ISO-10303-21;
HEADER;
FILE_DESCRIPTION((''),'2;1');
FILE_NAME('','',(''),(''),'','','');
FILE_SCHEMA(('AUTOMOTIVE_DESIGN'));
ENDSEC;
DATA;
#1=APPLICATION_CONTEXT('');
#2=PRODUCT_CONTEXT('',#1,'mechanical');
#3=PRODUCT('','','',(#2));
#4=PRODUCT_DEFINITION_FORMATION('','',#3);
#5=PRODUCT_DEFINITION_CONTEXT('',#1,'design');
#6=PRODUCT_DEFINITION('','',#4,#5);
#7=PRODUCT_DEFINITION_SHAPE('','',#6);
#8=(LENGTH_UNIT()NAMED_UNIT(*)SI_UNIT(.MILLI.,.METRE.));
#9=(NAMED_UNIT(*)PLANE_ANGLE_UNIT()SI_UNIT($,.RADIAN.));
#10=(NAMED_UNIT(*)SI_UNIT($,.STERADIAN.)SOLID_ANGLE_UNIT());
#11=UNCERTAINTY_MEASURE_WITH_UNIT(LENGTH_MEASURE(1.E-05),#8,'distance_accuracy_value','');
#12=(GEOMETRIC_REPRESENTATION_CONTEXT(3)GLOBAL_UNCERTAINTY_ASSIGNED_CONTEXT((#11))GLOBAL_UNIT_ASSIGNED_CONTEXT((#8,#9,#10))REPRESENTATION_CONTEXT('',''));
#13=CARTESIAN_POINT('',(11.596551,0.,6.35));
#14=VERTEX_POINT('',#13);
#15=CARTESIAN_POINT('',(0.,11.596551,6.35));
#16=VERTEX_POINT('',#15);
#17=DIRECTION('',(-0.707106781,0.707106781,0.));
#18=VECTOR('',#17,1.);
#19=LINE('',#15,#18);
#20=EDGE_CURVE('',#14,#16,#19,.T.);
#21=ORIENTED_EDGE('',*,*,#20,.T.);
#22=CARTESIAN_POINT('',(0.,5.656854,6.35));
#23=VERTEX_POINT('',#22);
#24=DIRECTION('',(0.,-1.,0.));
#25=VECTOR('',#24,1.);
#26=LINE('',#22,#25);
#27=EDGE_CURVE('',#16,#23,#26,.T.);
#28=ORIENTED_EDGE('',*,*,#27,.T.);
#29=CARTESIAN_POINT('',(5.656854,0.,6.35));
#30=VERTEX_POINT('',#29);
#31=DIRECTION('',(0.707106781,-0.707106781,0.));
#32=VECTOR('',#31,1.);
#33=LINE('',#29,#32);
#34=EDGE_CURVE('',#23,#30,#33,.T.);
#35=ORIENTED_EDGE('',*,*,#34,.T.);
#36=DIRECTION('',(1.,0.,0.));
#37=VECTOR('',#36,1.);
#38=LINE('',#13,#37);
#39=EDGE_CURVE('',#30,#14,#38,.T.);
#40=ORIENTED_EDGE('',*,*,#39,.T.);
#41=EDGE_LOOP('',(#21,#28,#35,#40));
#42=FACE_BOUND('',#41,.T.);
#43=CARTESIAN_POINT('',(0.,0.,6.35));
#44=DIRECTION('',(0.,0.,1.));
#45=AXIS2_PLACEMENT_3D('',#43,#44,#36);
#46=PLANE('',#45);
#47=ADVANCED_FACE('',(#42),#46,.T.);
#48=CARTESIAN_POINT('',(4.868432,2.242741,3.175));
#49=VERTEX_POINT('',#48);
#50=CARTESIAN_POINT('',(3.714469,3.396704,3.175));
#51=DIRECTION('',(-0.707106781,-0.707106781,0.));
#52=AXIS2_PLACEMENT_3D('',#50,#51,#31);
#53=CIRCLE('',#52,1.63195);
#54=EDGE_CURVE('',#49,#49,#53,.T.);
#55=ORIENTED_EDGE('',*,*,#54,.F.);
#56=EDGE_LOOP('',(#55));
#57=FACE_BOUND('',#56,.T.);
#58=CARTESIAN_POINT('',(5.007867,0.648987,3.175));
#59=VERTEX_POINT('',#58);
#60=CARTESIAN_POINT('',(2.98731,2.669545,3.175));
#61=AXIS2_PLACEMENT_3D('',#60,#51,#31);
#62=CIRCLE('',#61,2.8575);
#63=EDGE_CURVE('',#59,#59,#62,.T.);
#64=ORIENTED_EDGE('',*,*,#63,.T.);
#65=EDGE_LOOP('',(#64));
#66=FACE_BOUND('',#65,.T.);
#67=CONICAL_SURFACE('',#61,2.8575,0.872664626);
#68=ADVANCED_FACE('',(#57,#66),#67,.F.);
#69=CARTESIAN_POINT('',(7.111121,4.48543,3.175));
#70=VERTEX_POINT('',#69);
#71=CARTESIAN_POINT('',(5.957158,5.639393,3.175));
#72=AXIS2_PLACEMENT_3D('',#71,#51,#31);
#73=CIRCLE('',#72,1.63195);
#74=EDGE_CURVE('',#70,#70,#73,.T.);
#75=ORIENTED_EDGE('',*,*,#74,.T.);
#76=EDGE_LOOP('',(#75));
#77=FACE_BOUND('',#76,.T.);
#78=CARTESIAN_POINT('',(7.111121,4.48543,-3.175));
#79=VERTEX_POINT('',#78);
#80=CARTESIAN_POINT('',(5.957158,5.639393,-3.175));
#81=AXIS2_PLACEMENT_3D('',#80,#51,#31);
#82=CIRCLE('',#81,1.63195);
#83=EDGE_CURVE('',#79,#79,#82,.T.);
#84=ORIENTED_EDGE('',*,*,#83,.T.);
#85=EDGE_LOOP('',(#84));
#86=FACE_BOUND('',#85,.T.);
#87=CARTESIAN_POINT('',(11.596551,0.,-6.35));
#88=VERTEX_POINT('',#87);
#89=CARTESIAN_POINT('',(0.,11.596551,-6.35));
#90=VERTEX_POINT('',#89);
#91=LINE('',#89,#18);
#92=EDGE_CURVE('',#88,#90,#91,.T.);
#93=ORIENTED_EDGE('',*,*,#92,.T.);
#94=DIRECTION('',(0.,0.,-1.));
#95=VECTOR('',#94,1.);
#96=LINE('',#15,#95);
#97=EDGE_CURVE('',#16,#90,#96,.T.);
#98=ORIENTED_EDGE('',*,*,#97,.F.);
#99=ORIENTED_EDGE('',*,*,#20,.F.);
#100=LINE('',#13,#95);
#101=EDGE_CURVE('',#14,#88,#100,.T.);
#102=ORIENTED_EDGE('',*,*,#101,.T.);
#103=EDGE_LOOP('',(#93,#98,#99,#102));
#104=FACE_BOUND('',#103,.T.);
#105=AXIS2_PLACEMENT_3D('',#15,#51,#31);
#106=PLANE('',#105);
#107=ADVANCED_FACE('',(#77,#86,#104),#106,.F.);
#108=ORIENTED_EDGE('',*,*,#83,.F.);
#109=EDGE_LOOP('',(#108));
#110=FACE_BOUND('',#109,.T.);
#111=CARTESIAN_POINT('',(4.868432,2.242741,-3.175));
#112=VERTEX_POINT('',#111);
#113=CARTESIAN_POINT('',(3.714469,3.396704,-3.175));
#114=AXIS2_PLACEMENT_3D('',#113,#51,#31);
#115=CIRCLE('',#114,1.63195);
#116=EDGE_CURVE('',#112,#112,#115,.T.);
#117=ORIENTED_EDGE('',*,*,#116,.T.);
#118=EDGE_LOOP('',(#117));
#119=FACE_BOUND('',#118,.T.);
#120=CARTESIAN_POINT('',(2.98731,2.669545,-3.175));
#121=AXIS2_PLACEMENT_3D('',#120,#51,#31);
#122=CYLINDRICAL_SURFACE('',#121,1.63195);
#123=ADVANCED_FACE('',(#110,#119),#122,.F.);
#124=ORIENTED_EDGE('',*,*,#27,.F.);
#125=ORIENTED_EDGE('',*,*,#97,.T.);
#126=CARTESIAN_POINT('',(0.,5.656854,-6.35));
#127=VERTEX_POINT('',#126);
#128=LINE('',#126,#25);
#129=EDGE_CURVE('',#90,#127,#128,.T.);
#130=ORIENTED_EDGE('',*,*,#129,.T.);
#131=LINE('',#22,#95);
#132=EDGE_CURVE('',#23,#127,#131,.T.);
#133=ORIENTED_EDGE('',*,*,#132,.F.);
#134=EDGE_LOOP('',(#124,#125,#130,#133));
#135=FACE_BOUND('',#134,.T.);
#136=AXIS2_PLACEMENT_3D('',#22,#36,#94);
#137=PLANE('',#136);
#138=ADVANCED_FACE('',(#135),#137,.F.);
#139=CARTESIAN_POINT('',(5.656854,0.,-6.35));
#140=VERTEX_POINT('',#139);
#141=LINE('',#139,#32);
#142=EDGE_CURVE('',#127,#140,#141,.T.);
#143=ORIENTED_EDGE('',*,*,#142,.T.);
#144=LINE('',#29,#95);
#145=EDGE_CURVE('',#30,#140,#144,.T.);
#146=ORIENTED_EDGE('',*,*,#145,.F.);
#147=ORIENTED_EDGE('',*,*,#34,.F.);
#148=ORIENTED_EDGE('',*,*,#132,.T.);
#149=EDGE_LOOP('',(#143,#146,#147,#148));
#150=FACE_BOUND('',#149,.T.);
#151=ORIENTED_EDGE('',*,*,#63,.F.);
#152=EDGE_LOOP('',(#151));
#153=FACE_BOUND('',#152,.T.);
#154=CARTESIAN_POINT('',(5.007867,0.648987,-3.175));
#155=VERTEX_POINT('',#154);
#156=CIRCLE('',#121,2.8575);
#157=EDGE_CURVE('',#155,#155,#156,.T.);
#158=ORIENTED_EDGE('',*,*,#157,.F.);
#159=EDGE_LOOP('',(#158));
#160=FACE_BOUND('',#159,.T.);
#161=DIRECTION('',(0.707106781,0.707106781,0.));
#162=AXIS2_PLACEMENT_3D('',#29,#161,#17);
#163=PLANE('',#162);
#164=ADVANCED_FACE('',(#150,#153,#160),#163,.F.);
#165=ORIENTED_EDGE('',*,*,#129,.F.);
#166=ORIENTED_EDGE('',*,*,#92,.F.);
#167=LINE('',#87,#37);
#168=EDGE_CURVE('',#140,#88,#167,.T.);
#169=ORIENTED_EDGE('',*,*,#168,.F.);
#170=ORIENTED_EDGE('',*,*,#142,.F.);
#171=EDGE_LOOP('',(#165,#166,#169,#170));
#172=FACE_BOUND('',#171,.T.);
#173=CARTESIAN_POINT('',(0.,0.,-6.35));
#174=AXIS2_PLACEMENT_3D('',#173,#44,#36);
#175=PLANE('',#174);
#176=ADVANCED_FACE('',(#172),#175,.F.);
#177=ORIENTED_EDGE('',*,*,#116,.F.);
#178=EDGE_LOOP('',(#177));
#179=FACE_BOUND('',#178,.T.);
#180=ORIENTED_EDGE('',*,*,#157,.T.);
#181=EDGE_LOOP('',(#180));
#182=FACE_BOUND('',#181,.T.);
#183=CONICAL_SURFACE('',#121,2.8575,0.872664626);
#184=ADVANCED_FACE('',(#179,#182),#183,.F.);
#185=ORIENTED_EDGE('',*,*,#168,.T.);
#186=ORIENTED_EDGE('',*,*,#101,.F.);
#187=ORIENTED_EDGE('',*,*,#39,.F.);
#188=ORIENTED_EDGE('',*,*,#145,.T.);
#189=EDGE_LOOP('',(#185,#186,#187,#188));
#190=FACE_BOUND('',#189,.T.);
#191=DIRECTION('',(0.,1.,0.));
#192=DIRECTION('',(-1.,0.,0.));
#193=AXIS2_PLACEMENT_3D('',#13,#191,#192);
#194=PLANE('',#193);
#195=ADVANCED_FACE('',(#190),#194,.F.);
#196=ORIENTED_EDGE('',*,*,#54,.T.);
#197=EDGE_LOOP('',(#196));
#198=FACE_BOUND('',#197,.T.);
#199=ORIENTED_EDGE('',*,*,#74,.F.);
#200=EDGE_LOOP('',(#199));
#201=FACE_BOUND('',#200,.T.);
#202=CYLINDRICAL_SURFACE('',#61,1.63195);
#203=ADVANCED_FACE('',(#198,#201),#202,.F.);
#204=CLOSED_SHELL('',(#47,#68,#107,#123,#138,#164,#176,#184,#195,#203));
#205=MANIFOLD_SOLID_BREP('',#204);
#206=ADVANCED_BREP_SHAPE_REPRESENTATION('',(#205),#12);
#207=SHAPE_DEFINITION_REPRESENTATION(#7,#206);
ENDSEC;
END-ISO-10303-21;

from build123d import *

# Parameters (mm, degrees)
BOSS_EXTRUDE1_DEPTH                               = 6.35
CSK_FOR_4_FLAT_HEAD_MACHINE_SCREW_100_D           = 3.2639
CSK_FOR_4_FLAT_HEAD_MACHINE_SCREW_100_CSINK_D     = 5.715
CSK_FOR_4_FLAT_HEAD_MACHINE_SCREW_100_CSINK_ANGLE = 100


with BuildPart() as part:
    # Sketch1 → Boss-Extrude1 (new body, symmetric)
    with BuildSketch(Plane.XY):
        Polygon((0, 11.596551211), (11.596551211, 0), (5.656854249, 0), (0, 5.656854249), align=None)
    extrude(amount=BOSS_EXTRUDE1_DEPTH, both=True)

    # CSK for #4 Flat Head Machine Screw (100)1 (through all)
    with Locations(Plane(origin=(2.828427125, 2.828427125, 0), x_dir=(0, 0, 1), z_dir=(-0.707106781, -0.707106781, 0))):
        with Locations((-3.175, -0.224693873), (3.175, -0.224693873)):
            CounterSinkHole(CSK_FOR_4_FLAT_HEAD_MACHINE_SCREW_100_D / 2, CSK_FOR_4_FLAT_HEAD_MACHINE_SCREW_100_CSINK_D / 2, counter_sink_angle=CSK_FOR_4_FLAT_HEAD_MACHINE_SCREW_100_CSINK_ANGLE)


solid = part.part
